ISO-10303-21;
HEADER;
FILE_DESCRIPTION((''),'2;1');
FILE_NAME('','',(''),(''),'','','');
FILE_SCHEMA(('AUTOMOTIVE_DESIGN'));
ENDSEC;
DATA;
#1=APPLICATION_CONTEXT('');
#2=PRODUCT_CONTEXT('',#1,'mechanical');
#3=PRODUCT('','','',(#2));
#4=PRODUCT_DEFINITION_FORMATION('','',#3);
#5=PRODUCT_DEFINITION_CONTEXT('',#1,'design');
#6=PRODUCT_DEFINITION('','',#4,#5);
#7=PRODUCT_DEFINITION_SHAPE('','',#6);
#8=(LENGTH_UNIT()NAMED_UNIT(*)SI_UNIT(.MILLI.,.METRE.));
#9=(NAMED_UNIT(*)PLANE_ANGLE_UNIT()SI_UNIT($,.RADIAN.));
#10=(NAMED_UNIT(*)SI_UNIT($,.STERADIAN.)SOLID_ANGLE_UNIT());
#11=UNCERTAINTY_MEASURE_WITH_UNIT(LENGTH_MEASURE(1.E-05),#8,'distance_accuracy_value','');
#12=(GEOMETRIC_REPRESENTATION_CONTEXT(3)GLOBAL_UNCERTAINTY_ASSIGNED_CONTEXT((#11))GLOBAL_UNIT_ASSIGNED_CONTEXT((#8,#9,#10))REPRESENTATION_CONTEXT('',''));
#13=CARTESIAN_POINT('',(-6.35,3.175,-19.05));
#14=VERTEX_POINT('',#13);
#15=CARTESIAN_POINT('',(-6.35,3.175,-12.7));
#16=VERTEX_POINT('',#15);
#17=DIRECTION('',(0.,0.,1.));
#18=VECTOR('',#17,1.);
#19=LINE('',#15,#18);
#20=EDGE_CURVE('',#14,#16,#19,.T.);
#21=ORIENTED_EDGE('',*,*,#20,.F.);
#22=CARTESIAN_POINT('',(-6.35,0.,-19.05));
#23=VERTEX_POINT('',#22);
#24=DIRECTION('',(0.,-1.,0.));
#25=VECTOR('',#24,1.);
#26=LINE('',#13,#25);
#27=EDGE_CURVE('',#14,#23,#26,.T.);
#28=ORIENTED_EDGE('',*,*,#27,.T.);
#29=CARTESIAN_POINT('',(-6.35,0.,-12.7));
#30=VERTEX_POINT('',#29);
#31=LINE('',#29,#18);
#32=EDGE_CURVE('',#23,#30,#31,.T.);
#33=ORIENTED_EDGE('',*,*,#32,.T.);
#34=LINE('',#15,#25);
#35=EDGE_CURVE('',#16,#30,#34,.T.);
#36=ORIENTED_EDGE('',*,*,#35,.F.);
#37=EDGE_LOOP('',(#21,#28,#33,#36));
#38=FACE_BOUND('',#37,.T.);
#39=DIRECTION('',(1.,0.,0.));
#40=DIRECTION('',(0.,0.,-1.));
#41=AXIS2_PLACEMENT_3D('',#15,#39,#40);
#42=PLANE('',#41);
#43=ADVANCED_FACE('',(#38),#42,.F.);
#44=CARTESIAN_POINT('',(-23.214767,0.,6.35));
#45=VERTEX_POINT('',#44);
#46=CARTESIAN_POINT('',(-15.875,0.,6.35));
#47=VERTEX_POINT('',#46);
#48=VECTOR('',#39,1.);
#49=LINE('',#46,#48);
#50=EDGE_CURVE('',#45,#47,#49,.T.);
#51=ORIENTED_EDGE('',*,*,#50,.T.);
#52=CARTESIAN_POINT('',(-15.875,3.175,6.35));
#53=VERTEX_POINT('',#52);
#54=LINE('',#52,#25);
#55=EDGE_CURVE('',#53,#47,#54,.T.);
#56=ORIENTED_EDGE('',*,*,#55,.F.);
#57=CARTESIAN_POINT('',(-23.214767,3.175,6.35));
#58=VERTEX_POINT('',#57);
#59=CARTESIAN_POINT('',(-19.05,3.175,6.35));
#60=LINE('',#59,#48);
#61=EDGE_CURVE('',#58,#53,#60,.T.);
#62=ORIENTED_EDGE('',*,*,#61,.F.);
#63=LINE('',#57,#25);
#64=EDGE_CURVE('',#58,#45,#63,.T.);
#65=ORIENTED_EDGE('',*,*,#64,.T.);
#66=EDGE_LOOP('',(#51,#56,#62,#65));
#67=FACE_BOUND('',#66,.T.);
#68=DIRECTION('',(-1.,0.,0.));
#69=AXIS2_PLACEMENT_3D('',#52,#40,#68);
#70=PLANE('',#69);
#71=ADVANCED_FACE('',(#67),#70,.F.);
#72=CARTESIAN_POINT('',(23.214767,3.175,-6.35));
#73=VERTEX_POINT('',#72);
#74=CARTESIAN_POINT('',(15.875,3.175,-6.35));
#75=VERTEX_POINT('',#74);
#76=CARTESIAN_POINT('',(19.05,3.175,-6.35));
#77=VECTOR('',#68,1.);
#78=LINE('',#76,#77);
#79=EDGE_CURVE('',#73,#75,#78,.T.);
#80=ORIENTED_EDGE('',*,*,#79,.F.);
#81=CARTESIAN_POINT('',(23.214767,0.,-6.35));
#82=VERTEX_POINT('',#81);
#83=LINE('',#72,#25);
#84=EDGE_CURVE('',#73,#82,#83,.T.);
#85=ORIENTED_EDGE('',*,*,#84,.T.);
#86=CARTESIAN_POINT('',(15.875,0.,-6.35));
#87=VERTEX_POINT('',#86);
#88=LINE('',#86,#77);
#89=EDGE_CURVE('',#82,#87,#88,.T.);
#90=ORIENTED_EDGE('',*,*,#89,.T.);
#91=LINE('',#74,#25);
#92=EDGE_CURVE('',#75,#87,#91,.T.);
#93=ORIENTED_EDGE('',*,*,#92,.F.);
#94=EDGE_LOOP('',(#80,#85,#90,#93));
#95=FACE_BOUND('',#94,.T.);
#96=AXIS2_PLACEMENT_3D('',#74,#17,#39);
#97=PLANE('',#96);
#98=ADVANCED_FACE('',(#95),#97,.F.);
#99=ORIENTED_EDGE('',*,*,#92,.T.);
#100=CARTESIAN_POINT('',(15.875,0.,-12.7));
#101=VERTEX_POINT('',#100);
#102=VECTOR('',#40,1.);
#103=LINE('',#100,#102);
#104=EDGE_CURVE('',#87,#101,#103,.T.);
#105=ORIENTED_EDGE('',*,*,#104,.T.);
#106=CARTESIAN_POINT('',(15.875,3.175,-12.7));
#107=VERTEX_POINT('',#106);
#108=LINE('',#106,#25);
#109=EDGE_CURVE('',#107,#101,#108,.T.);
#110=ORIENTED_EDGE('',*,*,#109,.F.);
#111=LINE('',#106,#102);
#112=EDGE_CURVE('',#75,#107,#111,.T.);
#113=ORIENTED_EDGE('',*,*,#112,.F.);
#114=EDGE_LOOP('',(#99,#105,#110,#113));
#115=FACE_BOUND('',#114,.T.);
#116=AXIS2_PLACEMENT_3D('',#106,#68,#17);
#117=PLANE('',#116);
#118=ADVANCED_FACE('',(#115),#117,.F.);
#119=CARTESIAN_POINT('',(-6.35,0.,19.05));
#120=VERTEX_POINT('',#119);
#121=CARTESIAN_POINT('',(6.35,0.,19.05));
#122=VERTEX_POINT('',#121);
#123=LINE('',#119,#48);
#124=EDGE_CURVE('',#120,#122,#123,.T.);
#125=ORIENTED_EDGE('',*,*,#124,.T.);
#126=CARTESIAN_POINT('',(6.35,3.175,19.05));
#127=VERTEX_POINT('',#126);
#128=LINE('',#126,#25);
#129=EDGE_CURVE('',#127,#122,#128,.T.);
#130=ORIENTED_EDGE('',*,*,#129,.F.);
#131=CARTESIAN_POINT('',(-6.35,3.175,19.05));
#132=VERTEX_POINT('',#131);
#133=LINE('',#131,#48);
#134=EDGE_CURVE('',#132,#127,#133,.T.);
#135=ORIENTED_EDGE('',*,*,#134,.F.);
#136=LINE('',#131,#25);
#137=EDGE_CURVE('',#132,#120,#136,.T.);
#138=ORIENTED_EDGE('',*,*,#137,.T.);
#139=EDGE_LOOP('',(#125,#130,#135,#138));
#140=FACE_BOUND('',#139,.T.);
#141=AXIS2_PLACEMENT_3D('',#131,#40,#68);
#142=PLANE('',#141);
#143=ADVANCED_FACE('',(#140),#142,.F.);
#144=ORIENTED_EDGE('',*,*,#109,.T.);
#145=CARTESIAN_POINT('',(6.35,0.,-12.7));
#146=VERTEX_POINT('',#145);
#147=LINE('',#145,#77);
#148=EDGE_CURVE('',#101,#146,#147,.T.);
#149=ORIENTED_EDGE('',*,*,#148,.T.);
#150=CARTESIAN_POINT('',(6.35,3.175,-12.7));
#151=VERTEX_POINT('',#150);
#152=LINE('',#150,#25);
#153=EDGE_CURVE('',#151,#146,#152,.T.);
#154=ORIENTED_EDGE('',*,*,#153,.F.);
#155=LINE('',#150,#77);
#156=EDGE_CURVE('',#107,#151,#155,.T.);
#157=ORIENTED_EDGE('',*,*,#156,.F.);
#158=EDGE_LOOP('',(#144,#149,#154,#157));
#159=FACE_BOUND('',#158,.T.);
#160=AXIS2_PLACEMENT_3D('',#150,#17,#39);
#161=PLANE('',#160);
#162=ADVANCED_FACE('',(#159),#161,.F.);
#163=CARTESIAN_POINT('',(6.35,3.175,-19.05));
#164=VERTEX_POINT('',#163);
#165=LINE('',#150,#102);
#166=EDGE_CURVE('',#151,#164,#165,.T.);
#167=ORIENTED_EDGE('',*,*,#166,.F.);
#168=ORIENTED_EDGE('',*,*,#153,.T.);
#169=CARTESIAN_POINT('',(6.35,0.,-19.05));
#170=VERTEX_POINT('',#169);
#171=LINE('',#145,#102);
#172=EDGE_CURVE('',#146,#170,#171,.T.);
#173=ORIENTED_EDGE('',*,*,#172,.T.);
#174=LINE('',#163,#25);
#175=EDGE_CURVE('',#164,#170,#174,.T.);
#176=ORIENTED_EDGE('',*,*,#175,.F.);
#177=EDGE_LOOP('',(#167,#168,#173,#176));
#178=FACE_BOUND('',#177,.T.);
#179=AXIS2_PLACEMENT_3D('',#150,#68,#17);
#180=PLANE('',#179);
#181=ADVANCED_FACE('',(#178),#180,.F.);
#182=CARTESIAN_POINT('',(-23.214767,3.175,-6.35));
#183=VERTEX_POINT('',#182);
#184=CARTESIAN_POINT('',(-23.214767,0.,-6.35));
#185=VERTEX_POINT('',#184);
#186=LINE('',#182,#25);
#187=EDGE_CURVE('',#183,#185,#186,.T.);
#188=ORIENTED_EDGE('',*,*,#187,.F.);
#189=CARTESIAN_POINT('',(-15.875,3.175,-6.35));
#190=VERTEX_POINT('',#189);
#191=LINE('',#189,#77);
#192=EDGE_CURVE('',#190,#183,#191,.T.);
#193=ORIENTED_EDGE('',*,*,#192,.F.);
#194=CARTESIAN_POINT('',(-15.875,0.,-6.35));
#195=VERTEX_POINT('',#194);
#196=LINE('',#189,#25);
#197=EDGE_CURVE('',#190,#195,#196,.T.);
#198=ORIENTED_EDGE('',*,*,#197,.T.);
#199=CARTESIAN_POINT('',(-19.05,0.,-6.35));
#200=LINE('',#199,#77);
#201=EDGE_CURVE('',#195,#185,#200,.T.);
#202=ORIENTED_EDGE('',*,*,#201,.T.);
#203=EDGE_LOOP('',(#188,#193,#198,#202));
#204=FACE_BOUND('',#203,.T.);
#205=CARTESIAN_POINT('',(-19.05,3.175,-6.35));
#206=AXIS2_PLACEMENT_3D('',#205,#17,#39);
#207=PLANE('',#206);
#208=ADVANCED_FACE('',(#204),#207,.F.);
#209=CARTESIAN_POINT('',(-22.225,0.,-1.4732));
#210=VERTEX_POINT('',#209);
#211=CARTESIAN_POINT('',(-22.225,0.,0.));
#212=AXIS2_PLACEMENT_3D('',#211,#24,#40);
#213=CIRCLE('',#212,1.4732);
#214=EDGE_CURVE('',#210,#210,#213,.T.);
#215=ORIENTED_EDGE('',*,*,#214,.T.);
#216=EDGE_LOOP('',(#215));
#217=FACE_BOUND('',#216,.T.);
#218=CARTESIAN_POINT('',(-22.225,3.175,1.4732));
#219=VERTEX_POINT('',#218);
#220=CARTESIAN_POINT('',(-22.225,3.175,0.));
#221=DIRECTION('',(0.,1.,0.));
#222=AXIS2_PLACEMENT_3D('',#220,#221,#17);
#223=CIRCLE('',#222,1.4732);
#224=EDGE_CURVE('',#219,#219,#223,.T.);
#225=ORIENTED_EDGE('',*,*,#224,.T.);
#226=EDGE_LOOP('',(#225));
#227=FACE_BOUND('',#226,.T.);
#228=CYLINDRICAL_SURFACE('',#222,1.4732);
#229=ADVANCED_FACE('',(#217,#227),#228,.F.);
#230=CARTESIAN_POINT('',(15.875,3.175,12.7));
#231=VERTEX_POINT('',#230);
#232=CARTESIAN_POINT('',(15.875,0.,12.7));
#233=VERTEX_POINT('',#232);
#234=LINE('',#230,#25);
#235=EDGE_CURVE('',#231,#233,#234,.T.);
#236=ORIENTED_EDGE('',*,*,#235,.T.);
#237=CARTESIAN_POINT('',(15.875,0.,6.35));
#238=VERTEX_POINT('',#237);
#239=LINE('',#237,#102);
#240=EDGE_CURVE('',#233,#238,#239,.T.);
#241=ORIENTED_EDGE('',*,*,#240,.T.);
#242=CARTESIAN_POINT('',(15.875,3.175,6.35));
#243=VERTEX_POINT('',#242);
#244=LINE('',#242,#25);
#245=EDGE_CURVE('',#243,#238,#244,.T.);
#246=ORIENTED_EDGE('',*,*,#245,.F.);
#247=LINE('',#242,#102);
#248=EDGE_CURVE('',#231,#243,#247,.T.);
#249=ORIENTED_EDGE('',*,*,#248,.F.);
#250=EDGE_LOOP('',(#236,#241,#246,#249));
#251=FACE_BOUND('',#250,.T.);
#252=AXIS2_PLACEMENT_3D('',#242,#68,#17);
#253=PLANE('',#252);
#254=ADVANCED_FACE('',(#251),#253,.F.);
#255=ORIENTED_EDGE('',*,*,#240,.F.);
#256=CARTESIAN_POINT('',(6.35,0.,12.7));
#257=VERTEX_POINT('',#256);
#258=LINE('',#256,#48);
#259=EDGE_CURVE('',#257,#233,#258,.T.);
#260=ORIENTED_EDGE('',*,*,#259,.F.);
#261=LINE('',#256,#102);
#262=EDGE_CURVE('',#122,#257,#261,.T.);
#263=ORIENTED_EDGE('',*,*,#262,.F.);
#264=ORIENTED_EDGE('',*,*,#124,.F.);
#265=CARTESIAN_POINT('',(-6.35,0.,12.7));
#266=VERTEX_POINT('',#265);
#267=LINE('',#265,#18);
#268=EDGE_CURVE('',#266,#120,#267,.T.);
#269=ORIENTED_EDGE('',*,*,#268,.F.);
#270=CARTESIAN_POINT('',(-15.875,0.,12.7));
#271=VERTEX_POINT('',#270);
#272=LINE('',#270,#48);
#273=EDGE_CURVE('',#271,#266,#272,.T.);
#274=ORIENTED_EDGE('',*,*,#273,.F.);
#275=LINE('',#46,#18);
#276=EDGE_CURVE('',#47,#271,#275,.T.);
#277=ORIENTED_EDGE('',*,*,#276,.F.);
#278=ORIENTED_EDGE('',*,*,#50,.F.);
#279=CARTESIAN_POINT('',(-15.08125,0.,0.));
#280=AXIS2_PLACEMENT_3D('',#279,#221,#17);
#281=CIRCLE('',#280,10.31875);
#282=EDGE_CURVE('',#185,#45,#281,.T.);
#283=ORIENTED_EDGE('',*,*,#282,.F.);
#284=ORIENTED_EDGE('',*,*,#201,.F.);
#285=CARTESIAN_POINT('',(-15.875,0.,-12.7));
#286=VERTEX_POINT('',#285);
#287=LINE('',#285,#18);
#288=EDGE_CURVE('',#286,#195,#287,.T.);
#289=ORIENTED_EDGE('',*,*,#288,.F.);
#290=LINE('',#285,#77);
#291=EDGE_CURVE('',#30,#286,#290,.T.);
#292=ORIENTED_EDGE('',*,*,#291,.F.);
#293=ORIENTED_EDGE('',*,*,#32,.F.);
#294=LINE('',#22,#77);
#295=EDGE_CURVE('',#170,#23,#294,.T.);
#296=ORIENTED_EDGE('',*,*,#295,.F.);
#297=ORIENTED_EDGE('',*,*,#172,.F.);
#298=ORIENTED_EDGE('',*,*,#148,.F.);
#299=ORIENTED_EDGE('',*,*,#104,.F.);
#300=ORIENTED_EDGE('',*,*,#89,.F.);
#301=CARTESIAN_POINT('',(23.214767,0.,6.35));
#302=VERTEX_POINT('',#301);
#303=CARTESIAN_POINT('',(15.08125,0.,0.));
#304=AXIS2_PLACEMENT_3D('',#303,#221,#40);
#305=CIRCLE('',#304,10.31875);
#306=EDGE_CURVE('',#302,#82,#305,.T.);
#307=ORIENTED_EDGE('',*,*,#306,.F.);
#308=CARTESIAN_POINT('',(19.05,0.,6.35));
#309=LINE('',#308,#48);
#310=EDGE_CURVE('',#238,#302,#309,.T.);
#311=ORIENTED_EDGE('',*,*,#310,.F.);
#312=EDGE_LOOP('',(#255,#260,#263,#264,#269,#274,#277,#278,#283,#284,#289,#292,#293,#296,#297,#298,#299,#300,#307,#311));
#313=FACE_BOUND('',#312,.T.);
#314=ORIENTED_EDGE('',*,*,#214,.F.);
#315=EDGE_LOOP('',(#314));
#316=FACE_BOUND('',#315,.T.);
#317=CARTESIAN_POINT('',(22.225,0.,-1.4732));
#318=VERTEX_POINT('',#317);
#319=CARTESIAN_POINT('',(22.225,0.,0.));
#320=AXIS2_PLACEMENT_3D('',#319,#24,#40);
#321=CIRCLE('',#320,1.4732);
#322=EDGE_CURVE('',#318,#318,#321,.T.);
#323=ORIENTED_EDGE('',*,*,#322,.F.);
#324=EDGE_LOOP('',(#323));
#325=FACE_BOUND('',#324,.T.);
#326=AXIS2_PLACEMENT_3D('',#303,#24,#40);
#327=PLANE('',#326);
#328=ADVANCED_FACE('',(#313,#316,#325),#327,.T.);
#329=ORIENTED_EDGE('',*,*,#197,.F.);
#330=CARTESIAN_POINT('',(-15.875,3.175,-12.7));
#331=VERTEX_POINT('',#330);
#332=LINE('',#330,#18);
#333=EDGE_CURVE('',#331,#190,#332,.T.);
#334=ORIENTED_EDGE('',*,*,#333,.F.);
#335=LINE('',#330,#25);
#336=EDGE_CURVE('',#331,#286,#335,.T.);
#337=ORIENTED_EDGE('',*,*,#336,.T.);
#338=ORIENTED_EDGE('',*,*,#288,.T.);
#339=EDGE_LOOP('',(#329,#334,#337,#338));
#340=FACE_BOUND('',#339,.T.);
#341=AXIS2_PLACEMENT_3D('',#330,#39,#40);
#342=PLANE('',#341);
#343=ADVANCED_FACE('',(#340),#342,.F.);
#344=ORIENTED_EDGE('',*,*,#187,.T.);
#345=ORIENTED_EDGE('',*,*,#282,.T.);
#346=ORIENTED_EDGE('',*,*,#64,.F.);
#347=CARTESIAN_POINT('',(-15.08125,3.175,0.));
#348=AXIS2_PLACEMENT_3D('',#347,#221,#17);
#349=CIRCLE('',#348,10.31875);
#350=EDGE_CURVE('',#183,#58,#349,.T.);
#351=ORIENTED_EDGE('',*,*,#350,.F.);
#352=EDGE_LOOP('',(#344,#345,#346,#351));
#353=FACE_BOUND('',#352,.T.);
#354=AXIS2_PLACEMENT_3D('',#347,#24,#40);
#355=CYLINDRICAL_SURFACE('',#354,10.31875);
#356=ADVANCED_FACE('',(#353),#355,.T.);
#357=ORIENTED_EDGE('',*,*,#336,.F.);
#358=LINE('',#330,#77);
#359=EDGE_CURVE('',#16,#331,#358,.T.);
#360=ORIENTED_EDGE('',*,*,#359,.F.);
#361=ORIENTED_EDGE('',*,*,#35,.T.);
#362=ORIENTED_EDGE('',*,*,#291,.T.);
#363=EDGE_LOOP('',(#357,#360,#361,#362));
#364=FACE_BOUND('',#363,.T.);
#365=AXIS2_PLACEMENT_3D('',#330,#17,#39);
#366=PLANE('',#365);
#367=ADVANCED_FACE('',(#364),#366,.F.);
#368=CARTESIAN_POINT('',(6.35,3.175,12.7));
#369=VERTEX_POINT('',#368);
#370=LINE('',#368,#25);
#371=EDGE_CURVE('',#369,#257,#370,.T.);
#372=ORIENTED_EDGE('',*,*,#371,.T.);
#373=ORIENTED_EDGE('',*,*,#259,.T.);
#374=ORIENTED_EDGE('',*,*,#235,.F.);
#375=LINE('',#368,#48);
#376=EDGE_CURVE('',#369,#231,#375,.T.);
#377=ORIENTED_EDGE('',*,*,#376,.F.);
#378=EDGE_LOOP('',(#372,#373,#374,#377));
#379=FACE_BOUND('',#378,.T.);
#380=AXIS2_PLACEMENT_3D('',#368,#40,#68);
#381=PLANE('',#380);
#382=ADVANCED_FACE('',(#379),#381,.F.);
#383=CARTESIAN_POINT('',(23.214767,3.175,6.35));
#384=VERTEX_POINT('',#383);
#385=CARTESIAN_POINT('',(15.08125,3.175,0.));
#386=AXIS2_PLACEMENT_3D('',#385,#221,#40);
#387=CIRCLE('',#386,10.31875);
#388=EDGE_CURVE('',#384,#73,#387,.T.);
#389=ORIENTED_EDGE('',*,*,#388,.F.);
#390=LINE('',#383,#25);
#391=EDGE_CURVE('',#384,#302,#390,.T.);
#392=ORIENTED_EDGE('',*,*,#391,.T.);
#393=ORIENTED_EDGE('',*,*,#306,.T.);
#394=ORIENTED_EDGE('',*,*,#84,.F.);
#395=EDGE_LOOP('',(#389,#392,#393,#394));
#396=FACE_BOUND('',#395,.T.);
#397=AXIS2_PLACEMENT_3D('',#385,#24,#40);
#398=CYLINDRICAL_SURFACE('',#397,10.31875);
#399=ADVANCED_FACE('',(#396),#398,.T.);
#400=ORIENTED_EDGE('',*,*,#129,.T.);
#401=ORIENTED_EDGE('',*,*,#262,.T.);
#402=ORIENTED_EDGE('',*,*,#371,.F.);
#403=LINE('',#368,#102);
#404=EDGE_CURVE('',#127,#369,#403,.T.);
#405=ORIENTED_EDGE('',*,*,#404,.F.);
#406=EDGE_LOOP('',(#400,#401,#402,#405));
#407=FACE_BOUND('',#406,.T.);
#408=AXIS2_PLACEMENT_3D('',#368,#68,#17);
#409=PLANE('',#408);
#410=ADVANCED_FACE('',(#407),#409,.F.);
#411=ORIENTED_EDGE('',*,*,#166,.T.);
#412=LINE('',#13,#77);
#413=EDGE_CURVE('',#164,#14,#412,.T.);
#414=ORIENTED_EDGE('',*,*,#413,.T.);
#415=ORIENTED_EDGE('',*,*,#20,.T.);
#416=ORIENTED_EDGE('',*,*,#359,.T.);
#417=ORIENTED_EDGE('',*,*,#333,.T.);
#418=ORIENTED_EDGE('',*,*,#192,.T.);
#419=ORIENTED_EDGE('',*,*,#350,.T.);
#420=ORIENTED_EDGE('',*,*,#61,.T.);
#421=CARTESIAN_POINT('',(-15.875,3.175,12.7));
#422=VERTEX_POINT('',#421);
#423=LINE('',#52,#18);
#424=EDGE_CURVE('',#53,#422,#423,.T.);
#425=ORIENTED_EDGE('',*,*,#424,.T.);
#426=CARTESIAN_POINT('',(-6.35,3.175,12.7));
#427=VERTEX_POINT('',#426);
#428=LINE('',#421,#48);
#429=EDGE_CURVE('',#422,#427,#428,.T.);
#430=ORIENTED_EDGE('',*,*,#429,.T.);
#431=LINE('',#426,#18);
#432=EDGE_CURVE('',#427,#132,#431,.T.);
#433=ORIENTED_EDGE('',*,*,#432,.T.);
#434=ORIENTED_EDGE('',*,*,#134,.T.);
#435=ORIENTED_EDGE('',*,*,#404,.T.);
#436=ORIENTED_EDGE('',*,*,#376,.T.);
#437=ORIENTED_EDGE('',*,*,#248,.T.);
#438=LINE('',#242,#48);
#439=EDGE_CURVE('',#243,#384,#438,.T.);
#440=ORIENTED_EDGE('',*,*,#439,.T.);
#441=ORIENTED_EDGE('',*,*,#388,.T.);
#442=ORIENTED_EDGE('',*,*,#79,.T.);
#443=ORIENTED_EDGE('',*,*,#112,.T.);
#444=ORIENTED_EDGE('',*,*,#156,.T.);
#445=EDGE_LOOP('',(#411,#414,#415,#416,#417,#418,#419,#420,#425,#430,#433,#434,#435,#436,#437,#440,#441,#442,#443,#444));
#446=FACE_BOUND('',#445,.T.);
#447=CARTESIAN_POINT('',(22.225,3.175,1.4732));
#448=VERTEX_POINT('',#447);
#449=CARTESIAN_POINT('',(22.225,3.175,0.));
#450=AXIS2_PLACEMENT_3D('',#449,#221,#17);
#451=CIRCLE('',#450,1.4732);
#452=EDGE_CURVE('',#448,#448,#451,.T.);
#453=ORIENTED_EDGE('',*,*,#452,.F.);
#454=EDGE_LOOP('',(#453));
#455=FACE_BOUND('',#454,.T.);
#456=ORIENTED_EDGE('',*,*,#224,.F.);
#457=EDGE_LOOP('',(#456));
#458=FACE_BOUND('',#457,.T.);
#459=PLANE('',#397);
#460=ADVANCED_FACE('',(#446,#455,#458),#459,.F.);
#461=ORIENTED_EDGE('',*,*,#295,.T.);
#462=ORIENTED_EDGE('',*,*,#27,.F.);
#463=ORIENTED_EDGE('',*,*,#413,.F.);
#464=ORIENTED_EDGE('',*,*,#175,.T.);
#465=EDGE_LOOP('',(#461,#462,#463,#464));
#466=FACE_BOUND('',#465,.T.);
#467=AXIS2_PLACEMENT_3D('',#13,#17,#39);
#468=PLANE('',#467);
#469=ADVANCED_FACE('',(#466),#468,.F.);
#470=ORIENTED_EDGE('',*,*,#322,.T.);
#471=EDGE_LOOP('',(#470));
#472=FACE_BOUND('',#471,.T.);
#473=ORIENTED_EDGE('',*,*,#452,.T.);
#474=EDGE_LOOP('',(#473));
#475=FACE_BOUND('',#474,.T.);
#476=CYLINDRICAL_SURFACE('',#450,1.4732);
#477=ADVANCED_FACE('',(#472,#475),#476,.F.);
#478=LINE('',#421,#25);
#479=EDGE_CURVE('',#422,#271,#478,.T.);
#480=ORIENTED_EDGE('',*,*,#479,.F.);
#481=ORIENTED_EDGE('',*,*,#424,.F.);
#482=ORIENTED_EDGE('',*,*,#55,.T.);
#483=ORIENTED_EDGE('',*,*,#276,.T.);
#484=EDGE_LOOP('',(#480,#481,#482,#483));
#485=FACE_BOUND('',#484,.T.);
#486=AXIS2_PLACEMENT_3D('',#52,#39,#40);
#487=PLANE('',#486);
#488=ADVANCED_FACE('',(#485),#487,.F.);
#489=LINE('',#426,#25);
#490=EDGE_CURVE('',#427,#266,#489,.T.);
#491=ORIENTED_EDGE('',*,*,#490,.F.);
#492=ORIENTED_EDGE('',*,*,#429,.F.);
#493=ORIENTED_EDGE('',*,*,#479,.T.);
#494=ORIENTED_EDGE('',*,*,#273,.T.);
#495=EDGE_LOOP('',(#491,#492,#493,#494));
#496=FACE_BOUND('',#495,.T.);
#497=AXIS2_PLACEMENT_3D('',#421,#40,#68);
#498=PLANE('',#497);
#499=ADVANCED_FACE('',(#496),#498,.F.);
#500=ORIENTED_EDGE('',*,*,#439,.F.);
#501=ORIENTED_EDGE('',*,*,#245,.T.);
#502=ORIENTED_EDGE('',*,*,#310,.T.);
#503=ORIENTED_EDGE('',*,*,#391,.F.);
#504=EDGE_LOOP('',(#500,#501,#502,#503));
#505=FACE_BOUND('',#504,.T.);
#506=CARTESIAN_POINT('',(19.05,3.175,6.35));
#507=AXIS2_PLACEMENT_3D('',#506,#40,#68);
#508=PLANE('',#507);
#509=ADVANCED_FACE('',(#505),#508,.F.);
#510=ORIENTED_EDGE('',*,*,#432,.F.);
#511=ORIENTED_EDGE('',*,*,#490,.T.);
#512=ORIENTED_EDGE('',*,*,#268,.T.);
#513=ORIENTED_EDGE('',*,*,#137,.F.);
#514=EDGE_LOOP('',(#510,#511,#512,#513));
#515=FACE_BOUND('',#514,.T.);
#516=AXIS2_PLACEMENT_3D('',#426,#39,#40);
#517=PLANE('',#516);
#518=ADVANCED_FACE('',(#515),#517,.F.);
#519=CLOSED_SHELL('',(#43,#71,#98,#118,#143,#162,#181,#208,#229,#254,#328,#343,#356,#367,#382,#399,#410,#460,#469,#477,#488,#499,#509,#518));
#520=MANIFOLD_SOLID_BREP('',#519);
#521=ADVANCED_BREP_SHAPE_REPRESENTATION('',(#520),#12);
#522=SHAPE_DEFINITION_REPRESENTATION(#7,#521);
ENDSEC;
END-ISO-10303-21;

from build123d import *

# Parameters (mm, degrees)
BOSS_EXTRUDE1_DEPTH       = 3.175
F_4_CLEARANCE_HOLE1_D     = 2.9464
F_4_CLEARANCE_HOLE1_DEPTH = 6.35
F_4_CLEARANCE_HOLE1_TIP   = 0.885187864


with BuildPart() as part:
    # Sketch1 → Boss-Extrude1 (new body)
    with BuildSketch(Plane(origin=(0, 0, 0), x_dir=(1, 0, 0), z_dir=(0, 1, 0))):
        with BuildLine():
            Line((-15.875, 12.7), (-6.35, 12.7))
            Line((-6.35, 12.7), (-6.35, 19.05))
            Line((-6.35, 19.05), (6.35, 19.05))
            Line((6.35, 19.05), (6.35, 12.7))
            Line((6.35, 12.7), (15.875, 12.7))
            Line((15.875, 12.7), (15.875, 6.35))
            Line((15.875, 6.35), (19.05, 6.35))
            Line((19.05, 6.35), (23.21476717, 6.35))
            ThreePointArc((23.21476717, 6.35), (25.4, 0), (23.21476717, -6.35))
            Line((23.21476717, -6.35), (19.05, -6.35))
            Line((19.05, -6.35), (15.875, -6.35))
            Line((15.875, -6.35), (15.875, -12.7))
            Line((15.875, -12.7), (6.35, -12.7))
            Line((6.35, -12.7), (6.35, -19.05))
            Line((6.35, -19.05), (-6.35, -19.05))
            Line((-6.35, -19.05), (-6.35, -12.7))
            Line((-6.35, -12.7), (-15.875, -12.7))
            Line((-15.875, -12.7), (-15.875, -6.35))
            Line((-15.875, -6.35), (-19.05, -6.35))
            Line((-19.05, -6.35), (-23.21476717, -6.35))
            ThreePointArc((-23.21476717, -6.35), (-25.4, 0), (-23.21476717, 6.35))
            Line((-23.21476717, 6.35), (-19.05, 6.35))
            Line((-19.05, 6.35), (-15.875, 6.35))
            Line((-15.875, 6.35), (-15.875, 12.7))
        make_face()
    extrude(amount=BOSS_EXTRUDE1_DEPTH)

    # #4 Clearance Hole1
    with Locations(Plane(origin=(0, 3.175, 0), x_dir=(-1, 0, 0), z_dir=(0, 1, 0))):
        with Locations((-22.225, 0), (22.225, 0)):
            Hole(F_4_CLEARANCE_HOLE1_D / 2, depth=F_4_CLEARANCE_HOLE1_DEPTH)
            with Locations((0, 0, -(F_4_CLEARANCE_HOLE1_DEPTH + F_4_CLEARANCE_HOLE1_TIP / 2))):  # 118° drill point
                Cone(0, F_4_CLEARANCE_HOLE1_D / 2, F_4_CLEARANCE_HOLE1_TIP, mode=Mode.SUBTRACT)


solid = part.part
